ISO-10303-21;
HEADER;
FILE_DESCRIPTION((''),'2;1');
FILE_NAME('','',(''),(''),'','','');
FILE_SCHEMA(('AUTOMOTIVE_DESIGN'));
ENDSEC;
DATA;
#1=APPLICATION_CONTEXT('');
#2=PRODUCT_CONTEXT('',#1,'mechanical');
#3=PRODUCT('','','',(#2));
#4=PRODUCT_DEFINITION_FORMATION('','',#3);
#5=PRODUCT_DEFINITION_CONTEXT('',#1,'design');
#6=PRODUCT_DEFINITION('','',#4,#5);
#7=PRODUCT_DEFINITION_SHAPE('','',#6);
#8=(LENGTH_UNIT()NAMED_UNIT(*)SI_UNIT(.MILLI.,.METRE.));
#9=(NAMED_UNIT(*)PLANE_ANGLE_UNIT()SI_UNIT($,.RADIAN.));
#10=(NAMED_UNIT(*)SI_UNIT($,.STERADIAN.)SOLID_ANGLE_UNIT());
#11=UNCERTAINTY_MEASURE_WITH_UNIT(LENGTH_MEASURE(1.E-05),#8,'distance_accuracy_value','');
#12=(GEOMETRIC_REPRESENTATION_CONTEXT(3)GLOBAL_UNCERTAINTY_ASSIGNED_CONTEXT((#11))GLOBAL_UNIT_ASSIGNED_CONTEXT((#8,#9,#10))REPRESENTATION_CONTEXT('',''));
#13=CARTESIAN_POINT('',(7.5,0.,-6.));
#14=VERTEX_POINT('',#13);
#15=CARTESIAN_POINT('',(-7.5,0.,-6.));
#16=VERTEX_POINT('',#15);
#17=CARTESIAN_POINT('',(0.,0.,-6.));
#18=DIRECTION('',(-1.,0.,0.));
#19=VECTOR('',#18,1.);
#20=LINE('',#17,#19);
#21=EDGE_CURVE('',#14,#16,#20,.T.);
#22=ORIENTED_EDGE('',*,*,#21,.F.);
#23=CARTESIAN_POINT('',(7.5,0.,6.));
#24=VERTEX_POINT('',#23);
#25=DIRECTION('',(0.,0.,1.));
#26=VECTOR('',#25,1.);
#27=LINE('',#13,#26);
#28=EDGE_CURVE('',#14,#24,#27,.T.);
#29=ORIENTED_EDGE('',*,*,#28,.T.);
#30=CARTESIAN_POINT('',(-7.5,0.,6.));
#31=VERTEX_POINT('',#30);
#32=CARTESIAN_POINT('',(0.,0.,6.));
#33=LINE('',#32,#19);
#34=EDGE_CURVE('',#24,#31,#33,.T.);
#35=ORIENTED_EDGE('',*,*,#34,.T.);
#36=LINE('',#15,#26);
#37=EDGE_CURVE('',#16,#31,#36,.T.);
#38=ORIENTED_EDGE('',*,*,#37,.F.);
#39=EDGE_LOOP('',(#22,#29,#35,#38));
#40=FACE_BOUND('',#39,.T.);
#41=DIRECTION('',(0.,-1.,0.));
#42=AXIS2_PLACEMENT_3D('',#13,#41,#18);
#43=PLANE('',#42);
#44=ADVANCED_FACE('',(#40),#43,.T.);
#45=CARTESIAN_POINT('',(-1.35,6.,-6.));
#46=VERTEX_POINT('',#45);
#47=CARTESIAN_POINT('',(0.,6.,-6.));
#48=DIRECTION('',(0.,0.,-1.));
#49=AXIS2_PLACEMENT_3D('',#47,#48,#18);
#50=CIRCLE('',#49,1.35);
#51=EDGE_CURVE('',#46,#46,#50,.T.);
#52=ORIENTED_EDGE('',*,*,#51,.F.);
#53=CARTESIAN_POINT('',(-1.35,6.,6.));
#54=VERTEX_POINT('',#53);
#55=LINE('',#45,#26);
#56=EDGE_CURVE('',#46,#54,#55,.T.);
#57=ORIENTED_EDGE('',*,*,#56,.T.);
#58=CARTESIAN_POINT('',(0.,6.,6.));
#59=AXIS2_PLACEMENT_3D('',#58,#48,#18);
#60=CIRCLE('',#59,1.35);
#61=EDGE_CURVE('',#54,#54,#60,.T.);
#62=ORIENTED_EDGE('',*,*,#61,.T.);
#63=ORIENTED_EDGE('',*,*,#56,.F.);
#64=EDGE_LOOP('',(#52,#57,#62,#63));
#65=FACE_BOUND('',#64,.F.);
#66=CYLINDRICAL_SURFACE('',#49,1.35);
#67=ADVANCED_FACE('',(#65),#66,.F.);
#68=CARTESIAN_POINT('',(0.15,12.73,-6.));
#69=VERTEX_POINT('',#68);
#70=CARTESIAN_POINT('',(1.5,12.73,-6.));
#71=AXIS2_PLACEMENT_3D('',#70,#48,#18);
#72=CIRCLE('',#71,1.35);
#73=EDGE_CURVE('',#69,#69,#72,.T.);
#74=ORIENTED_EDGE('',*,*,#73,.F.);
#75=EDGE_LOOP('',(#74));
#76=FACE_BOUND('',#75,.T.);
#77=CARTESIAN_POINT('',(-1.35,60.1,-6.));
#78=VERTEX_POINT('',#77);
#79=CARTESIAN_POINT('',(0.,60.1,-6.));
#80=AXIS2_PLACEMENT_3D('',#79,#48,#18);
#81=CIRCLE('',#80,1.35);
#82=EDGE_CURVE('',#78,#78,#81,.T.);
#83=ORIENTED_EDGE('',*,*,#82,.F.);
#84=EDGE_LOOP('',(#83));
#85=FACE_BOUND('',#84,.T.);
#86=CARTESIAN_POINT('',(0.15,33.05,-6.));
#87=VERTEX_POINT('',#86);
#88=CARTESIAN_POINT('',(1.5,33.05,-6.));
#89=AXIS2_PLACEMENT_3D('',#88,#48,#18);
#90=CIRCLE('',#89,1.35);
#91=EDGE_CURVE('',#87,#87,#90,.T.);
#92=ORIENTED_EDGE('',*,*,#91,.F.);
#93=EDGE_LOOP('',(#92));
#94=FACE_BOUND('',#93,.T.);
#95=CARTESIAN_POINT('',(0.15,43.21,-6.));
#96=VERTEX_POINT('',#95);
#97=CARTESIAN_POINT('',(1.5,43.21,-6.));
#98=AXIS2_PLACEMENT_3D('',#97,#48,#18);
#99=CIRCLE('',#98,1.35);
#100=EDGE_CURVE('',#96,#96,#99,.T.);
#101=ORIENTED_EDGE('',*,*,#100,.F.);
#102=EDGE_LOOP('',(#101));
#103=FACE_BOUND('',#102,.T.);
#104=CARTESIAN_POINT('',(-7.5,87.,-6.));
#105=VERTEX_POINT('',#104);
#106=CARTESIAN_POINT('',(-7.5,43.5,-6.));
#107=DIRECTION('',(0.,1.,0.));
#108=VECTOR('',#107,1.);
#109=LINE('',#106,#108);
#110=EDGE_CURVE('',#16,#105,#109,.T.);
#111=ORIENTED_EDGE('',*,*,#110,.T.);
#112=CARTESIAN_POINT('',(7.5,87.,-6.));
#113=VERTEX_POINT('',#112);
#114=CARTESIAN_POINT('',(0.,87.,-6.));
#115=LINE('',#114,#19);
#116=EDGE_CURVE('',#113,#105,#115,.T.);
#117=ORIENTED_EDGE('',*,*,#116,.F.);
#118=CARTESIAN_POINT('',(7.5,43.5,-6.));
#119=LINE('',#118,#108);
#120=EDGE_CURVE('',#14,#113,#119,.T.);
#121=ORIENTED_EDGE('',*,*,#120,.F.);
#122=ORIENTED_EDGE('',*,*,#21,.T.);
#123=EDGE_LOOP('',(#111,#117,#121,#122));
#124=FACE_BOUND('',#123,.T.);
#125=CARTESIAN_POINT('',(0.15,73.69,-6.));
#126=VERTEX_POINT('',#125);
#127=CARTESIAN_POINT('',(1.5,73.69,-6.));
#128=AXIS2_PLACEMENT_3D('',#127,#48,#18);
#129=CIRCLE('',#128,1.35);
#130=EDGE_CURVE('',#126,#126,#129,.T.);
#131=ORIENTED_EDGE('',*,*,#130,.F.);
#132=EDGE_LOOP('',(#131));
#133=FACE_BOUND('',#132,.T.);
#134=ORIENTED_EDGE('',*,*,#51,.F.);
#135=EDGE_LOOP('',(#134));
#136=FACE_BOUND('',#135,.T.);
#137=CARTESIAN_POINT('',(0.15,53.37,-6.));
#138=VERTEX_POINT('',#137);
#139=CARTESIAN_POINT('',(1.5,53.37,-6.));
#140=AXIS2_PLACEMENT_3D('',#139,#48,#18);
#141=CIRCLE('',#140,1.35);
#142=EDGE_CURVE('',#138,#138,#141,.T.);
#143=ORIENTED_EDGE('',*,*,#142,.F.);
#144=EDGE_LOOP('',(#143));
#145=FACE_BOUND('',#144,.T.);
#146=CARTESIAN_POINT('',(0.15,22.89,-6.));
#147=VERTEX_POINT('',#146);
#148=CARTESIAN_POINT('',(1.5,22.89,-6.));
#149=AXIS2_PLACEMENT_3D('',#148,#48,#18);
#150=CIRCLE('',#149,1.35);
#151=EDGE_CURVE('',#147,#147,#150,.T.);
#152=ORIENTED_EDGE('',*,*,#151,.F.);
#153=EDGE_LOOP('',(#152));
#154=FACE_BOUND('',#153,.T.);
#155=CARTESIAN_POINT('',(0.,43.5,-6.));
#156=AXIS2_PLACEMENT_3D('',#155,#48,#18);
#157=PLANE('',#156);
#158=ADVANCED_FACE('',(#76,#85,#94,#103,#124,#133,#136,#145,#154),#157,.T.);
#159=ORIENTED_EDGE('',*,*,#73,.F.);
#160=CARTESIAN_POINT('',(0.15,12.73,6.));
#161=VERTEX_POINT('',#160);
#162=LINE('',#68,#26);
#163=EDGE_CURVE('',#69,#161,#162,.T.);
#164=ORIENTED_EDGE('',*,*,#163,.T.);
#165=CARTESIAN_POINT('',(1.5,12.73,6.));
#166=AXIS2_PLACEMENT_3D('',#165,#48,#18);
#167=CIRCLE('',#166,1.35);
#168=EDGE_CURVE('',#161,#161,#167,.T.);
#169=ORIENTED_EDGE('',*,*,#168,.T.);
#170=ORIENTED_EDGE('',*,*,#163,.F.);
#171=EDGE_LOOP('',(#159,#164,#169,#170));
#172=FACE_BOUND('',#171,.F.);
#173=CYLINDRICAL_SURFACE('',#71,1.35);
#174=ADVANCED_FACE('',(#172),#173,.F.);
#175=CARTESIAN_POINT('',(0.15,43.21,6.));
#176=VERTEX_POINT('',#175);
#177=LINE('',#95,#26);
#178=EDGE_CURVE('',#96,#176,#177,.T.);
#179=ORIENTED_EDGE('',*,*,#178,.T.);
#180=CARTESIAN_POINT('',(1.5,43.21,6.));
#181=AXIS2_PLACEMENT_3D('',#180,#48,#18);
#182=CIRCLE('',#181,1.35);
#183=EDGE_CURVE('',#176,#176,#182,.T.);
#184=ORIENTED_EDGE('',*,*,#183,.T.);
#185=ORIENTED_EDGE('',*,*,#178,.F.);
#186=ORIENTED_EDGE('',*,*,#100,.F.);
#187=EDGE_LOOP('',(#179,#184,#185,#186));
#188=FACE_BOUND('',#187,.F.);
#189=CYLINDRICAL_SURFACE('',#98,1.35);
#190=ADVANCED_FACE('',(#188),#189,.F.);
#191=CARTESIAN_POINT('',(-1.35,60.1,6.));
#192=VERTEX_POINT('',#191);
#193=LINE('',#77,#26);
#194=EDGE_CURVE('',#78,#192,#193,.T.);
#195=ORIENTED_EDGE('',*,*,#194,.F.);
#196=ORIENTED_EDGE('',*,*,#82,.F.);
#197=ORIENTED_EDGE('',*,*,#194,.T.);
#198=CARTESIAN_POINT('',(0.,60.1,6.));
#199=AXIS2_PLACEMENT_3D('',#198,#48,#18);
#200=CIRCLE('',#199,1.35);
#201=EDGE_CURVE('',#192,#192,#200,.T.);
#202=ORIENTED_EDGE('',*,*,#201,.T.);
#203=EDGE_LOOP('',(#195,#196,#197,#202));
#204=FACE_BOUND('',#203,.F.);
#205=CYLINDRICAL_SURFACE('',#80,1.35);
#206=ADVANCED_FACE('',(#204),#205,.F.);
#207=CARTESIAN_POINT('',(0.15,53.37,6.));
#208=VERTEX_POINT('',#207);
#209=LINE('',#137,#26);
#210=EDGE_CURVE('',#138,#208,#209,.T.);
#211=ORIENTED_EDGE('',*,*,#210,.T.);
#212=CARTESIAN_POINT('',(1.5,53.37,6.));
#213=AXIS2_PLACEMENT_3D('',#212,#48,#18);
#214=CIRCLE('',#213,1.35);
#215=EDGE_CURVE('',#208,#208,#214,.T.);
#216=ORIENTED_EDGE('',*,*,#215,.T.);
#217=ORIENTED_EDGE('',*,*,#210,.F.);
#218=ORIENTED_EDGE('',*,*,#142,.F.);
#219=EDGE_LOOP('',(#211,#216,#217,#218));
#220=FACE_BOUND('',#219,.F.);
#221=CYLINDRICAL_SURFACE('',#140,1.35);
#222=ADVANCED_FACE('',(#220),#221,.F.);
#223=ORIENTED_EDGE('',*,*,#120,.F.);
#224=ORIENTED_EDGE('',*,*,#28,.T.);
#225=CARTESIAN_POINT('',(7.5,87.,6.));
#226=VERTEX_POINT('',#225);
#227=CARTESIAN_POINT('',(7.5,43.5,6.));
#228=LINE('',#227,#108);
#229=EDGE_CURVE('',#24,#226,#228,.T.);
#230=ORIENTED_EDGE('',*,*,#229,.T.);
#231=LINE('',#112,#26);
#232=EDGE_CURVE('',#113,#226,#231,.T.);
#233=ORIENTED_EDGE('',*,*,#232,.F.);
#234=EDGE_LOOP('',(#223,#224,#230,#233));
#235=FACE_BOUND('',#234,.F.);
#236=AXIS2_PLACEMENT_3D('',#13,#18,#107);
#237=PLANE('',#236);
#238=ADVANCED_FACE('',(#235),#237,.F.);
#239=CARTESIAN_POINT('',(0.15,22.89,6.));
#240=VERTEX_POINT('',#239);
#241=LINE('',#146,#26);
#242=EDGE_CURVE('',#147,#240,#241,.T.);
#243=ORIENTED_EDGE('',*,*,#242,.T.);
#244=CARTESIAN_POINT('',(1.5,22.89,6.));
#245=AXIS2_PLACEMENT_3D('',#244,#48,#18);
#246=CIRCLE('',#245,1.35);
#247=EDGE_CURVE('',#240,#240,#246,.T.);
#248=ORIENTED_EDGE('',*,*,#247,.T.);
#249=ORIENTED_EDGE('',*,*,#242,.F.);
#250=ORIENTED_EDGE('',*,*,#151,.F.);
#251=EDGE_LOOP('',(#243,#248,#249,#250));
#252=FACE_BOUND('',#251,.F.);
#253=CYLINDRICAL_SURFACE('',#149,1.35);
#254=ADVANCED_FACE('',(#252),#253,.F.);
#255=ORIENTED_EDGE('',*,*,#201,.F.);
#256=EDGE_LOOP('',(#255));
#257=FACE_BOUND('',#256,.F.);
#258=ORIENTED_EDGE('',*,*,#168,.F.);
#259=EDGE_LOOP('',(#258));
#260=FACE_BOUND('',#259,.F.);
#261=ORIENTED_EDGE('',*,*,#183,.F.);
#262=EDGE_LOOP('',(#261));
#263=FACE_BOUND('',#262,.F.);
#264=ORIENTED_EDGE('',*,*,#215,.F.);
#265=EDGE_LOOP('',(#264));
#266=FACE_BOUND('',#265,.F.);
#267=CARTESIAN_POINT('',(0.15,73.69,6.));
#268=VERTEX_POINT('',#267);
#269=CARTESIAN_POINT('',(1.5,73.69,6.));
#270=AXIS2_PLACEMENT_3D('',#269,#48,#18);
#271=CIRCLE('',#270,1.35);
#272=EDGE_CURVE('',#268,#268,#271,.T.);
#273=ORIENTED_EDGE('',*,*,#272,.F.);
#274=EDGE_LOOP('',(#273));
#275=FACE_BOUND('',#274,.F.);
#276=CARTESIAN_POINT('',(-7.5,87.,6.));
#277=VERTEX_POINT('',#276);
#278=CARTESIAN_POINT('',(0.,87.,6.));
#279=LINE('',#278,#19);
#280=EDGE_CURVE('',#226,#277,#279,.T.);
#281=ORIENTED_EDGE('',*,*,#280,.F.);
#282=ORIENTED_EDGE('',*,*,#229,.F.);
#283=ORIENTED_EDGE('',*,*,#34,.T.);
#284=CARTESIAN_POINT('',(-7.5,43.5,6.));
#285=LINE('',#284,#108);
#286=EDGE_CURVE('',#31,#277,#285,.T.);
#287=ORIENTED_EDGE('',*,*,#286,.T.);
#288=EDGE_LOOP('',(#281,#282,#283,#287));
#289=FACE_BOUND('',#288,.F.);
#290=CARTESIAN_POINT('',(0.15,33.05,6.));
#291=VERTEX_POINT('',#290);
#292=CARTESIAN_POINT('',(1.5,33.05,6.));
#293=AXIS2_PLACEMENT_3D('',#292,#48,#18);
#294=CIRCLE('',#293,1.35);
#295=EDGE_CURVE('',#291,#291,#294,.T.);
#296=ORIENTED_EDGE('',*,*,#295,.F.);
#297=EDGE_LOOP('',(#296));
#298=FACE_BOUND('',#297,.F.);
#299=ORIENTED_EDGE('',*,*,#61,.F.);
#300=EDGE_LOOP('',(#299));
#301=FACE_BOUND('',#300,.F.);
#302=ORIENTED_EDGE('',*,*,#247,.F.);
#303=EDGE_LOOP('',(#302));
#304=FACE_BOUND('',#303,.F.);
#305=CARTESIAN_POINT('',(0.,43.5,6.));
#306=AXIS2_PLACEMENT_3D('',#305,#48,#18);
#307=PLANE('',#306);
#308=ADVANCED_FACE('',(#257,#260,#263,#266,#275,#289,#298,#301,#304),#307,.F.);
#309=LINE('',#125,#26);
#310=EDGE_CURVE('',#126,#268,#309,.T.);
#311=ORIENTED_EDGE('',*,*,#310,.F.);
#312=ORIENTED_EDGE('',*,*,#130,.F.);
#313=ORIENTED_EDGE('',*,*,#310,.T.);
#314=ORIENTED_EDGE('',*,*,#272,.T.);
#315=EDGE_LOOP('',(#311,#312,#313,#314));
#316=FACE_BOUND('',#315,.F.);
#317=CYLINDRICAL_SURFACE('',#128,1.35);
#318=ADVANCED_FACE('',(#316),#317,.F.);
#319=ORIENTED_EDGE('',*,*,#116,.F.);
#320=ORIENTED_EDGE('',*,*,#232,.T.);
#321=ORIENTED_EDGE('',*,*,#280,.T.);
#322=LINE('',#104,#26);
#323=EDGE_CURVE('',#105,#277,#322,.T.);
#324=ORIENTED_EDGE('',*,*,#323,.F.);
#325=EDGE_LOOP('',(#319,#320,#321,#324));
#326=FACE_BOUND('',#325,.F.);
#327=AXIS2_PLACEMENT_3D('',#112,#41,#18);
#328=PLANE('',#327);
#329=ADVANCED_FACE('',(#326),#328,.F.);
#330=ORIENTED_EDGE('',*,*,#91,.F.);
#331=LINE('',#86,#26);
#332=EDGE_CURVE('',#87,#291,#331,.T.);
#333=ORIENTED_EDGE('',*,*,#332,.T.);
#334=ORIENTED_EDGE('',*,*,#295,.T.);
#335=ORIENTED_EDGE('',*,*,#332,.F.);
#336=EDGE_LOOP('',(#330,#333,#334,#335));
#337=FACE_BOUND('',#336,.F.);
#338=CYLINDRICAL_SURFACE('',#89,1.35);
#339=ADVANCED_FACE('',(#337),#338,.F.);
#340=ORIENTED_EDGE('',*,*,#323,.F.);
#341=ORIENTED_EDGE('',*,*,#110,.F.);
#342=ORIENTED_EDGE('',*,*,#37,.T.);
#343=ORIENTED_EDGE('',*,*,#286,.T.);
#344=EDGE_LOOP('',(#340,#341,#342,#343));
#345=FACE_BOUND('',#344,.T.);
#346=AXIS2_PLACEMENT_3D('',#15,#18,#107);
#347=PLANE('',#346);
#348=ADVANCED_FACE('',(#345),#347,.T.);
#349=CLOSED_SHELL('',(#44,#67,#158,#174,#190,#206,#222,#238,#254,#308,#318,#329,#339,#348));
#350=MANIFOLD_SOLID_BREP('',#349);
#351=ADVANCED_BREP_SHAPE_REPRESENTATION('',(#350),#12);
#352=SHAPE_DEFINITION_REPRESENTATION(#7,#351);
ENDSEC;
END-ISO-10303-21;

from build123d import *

# Parameters (mm, degrees)
SKETCH_1_W      = 15
SKETCH_1_H      = 87
SKETCH_1_R      = 1.35
EXTRUDE_1_DEPTH = 12


with BuildPart() as part:
    # 草圖1 → 填料-伸長1 (new body)
    with BuildSketch(Plane(origin=(0, 0, -6), x_dir=(-1, 0, 0), z_dir=(0, 0, -1))):
        with Locations((0, 43.5)):
            Rectangle(SKETCH_1_W, SKETCH_1_H)
        with Locations((-1.5, 22.89)):
            Circle(SKETCH_1_R, mode=Mode.SUBTRACT)
        with Locations((-1.5, 43.21)):
            Circle(SKETCH_1_R, mode=Mode.SUBTRACT)
        with Locations((0, 60.1)):
            Circle(SKETCH_1_R, mode=Mode.SUBTRACT)
        with Locations((0, 6)):
            Circle(SKETCH_1_R, mode=Mode.SUBTRACT)
        with Locations((-1.5, 12.73)):
            Circle(SKETCH_1_R, mode=Mode.SUBTRACT)
        with Locations((-1.5, 33.05)):
            Circle(SKETCH_1_R, mode=Mode.SUBTRACT)
        with Locations((-1.5, 53.37)):
            Circle(SKETCH_1_R, mode=Mode.SUBTRACT)
        with Locations((-1.5, 73.69)):
            Circle(SKETCH_1_R, mode=Mode.SUBTRACT)
    extrude(amount=-EXTRUDE_1_DEPTH)


solid = part.part
